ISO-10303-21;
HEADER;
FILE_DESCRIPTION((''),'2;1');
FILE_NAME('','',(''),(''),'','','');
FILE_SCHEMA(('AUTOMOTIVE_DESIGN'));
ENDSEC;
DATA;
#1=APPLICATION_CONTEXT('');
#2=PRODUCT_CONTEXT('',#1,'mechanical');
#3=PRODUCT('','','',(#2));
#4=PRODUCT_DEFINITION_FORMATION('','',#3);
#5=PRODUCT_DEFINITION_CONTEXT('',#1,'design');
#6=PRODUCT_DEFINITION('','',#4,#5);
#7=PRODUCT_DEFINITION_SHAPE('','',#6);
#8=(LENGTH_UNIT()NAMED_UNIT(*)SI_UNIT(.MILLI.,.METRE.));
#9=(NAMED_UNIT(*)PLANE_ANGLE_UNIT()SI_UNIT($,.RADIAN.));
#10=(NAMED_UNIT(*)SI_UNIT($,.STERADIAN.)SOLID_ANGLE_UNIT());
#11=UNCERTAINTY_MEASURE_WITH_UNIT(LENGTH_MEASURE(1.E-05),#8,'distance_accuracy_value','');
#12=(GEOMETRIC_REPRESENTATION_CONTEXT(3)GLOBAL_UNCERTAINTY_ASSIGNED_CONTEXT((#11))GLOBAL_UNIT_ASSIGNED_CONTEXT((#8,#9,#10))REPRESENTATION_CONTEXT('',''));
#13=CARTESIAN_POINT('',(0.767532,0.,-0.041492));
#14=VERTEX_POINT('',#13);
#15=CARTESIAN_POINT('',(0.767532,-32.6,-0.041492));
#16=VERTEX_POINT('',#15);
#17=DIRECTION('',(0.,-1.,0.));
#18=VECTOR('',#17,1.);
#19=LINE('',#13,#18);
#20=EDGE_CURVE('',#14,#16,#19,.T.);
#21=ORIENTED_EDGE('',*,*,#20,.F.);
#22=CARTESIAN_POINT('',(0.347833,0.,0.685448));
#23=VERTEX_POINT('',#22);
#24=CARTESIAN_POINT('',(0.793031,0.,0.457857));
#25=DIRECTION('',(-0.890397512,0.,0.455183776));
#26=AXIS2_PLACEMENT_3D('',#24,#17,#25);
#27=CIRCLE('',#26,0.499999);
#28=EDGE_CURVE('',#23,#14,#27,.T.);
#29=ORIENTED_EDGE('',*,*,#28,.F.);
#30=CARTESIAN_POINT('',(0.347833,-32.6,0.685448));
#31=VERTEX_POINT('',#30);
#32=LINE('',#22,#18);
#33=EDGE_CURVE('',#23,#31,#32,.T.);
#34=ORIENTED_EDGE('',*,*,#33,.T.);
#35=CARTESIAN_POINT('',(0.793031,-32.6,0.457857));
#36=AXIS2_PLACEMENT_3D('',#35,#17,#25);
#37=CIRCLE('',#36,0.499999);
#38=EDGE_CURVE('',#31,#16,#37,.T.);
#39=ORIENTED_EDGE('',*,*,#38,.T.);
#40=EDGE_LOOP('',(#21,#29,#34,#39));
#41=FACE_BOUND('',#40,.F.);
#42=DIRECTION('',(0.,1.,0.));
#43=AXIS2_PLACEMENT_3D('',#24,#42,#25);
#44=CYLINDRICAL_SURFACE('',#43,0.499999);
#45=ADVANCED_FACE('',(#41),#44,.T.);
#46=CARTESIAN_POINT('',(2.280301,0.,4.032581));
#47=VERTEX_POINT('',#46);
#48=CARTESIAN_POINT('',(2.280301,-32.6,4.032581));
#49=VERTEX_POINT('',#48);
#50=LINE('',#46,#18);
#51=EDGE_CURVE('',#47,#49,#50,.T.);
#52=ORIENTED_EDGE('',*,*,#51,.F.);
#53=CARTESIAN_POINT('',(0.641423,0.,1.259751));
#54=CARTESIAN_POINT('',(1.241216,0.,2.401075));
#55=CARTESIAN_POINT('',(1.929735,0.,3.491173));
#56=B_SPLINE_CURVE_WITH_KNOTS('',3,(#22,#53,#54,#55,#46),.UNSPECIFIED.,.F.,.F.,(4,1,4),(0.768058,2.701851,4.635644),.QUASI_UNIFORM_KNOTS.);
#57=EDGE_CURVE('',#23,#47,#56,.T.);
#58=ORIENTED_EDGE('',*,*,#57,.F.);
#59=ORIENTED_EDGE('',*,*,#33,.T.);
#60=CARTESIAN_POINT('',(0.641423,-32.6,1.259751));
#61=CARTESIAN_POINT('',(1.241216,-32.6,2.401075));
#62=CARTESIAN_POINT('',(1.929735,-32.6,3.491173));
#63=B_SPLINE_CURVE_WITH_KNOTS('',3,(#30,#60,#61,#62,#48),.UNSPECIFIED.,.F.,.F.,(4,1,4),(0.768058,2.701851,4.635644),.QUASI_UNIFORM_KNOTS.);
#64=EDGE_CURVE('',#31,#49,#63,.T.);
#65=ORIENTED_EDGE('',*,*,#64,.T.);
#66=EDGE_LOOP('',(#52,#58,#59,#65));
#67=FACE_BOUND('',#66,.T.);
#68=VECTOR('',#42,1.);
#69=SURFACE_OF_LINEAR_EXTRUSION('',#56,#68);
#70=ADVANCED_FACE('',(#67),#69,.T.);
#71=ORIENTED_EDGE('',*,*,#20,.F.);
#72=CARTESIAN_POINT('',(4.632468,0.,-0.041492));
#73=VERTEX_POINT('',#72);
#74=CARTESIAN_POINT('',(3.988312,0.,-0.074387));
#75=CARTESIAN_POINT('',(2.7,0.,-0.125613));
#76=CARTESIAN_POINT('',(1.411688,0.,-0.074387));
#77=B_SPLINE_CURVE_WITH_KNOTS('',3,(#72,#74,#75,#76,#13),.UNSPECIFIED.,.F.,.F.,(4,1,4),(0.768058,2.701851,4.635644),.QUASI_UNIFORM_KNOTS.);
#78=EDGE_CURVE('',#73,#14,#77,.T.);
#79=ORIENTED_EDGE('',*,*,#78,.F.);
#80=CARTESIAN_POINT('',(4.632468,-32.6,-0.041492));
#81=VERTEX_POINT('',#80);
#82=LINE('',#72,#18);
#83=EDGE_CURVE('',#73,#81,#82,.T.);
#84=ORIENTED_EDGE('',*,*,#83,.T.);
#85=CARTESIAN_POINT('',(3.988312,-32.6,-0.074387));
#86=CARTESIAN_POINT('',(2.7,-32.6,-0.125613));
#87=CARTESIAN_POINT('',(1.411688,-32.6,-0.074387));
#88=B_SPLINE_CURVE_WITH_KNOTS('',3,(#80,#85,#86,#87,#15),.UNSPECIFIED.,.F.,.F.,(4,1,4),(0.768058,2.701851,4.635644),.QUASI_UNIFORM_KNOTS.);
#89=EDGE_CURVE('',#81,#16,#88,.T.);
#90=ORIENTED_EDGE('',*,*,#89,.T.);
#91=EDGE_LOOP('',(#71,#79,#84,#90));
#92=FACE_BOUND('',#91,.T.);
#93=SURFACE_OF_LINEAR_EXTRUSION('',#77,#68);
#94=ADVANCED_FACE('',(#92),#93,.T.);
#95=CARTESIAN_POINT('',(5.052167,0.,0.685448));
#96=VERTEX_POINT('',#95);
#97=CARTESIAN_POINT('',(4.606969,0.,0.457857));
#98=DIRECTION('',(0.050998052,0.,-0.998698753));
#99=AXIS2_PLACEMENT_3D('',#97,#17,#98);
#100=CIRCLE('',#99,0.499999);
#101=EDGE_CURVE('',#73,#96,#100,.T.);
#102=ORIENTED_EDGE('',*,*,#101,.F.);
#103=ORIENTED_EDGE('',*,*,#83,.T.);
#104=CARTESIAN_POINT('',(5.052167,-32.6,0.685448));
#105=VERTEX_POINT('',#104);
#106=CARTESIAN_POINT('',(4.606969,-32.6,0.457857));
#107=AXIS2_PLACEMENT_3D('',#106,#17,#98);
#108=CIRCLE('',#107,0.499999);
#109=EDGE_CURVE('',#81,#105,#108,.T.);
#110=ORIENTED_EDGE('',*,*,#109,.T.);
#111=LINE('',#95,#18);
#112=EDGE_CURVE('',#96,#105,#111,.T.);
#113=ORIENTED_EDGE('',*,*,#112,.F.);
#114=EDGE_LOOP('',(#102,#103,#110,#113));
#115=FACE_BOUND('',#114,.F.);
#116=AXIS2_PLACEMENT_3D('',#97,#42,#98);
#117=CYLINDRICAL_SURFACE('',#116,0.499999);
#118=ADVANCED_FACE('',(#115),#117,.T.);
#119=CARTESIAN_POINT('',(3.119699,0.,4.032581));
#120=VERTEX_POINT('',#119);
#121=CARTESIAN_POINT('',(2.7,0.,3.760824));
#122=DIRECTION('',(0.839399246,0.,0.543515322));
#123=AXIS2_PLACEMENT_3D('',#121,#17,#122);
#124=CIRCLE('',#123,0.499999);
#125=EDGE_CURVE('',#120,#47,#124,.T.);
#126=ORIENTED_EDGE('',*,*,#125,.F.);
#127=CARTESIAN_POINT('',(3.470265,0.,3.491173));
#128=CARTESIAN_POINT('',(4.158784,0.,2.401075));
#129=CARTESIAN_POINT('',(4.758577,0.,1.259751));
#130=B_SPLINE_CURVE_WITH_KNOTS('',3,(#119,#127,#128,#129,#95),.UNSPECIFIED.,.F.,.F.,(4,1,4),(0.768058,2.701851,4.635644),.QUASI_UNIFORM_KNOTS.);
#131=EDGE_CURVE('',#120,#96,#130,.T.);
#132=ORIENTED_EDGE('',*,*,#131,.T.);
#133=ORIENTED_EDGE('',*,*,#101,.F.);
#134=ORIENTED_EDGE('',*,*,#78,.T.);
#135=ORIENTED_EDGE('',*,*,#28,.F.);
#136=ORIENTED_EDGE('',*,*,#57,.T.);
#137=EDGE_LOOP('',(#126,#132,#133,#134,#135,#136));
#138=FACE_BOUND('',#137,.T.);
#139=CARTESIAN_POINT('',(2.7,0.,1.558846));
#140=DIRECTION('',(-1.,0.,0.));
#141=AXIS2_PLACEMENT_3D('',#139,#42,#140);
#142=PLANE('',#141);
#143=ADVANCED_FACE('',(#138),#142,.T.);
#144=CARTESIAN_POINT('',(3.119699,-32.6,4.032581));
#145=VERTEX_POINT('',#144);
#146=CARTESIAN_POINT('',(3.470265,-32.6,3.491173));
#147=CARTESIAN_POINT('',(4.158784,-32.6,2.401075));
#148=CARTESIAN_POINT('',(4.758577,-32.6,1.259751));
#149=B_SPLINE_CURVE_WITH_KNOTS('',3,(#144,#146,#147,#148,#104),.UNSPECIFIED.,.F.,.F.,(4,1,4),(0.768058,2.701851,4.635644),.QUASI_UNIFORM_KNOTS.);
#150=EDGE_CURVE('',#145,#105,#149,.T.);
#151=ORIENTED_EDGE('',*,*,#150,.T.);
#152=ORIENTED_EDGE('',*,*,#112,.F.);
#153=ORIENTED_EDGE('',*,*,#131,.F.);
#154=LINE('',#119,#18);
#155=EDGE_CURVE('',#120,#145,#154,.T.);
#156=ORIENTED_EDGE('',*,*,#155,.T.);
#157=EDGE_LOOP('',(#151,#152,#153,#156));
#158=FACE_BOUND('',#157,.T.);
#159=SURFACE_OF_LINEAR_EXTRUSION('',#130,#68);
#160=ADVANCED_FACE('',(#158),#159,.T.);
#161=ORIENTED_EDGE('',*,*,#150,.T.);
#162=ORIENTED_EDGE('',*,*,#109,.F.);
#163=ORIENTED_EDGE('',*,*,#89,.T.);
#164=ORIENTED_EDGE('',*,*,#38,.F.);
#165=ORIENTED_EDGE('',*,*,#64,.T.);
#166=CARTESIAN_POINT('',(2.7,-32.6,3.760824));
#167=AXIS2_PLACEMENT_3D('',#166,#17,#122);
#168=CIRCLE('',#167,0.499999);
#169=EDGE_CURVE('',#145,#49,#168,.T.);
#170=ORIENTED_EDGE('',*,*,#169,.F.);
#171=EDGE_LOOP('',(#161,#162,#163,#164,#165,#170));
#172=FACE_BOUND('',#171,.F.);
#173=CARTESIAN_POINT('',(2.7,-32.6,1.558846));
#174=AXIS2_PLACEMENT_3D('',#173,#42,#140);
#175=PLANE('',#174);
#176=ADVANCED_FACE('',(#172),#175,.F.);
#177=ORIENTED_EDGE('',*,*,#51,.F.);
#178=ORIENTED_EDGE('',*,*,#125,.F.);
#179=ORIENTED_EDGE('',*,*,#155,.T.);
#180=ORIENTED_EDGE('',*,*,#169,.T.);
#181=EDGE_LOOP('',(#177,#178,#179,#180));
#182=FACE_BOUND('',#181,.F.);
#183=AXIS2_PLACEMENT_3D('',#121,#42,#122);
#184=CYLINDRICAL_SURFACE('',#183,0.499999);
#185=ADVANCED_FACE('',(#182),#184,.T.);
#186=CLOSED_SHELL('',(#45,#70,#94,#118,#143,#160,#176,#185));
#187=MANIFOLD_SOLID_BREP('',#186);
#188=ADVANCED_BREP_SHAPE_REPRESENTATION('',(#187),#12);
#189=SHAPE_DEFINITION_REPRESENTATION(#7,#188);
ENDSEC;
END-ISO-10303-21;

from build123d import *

# Parameters (mm, degrees)
F1_DEPTH = 32.6


with BuildPart() as f1:
    # F0 (on Front) → F1 (new body)
    with BuildSketch(Plane.XZ):
        with BuildLine():
            add(Edge.make_bspline(
                [(0.347833, 0.685448), (0.641423, 1.259751), (1.241216, 2.401075), (1.929735, 3.491173), (2.280301, 4.032581)],
                knots=[0.768058, 0.768058, 0.768058, 0.768058, 2.701851, 4.635644, 4.635644, 4.635644, 4.635644], degree=3))
            ThreePointArc((0.347833, 0.685448), (0.360019, 0.207857), (0.767532, -0.041492))
            add(Edge.make_bspline(
                [(4.632468, -0.041492), (3.988312, -0.074387), (2.7, -0.125613), (1.411688, -0.074387), (0.767532, -0.041492)],
                knots=[0.768058, 0.768058, 0.768058, 0.768058, 2.701851, 4.635644, 4.635644, 4.635644, 4.635644], degree=3))
            ThreePointArc((4.632468, -0.041492), (5.039981, 0.207857), (5.052167, 0.685448))
            add(Edge.make_bspline(
                [(3.119699, 4.032581), (3.470265, 3.491173), (4.158784, 2.401075), (4.758577, 1.259751), (5.052167, 0.685448)],
                knots=[0.768058, 0.768058, 0.768058, 0.768058, 2.701851, 4.635644, 4.635644, 4.635644, 4.635644], degree=3))
            ThreePointArc((3.119699, 4.032581), (2.7, 4.260823), (2.280301, 4.032581))
        make_face()
    extrude(amount=F1_DEPTH)


solid = f1.part
